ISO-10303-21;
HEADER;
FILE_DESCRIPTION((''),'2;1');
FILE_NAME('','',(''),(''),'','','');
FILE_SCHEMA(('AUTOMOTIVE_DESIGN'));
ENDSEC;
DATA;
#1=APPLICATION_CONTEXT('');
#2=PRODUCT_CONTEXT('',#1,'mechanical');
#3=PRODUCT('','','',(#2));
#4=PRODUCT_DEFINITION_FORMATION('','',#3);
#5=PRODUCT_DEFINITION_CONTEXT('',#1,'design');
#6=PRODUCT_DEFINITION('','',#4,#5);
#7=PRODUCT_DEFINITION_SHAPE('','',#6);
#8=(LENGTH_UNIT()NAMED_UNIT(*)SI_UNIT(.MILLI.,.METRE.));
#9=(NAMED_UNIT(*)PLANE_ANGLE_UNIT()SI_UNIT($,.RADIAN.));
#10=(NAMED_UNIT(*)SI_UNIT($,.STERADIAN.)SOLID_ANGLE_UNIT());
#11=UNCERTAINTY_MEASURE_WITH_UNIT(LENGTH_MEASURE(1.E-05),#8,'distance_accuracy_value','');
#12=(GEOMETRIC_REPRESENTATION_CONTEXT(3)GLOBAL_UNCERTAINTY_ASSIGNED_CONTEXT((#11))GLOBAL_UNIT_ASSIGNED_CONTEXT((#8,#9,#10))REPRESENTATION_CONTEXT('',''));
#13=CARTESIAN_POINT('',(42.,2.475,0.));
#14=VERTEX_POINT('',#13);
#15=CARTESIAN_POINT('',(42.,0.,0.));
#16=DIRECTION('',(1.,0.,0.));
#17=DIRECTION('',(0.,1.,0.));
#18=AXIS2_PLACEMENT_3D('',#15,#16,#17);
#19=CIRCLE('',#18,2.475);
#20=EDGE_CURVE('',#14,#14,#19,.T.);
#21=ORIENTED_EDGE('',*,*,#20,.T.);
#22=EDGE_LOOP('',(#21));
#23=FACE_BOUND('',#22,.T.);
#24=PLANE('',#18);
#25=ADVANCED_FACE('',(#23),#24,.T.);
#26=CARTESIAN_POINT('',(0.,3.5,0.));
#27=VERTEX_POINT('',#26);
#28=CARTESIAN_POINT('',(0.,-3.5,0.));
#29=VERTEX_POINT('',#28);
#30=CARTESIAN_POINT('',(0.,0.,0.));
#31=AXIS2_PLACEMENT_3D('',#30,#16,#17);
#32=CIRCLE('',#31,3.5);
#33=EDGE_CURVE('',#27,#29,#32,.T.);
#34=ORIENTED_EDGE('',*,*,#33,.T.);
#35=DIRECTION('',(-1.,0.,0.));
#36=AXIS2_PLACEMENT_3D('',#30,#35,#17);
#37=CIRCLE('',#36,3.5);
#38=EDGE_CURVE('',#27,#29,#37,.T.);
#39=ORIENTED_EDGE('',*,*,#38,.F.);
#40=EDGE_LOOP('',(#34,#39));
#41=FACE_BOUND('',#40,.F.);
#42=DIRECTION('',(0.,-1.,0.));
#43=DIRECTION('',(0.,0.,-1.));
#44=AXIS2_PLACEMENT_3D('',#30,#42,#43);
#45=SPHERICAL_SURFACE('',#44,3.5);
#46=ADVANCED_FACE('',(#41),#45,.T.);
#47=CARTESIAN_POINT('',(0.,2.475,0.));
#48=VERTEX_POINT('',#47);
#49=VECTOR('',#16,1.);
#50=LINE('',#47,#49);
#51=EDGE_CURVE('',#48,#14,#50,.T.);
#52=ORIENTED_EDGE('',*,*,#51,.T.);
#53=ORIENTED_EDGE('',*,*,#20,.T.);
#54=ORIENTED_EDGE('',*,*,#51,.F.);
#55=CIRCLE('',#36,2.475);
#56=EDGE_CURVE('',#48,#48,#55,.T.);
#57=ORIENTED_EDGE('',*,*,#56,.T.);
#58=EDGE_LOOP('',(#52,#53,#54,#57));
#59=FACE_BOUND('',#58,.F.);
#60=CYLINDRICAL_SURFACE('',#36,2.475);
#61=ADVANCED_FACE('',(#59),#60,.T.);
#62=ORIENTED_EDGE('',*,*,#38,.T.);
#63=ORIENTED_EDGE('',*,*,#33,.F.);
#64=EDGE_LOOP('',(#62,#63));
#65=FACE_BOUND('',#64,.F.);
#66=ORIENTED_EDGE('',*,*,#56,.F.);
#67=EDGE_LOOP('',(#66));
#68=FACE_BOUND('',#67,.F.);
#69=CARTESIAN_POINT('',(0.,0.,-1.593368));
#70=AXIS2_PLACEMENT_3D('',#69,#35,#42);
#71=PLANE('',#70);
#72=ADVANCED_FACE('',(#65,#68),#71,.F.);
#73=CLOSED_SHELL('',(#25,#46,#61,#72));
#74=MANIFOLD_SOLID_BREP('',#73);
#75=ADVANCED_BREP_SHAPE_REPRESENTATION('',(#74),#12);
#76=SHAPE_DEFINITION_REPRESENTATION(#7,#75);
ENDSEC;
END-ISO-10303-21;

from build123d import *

# Parameters (mm, degrees)
F0_R     = 2.475
F1_DEPTH = 42
F3_ANGLE = 180


with BuildPart() as f1:
    # F0 (on Right) → F1 (new body)
    with BuildSketch(Plane.YZ):
        Circle(F0_R)
    extrude(amount=F1_DEPTH)

    # F2 (on face) → F3 (revolve)
    with BuildSketch(Plane(origin=(0, 0, 0), x_dir=(0, -1, 0), z_dir=(-1, 0, 0))):
        with BuildLine():
            ThreePointArc((-3.5, 0), (0, -3.5), (3.5, 0))
            Line((3.5, 0), (2.475, 0))
            ThreePointArc((2.475, 0), (0, -2.475), (-2.475, 0))
            Line((-2.475, 0), (-3.5, 0))
        make_face()
        with BuildLine():
            ThreePointArc((-2.475, 0), (0, -2.475), (2.475, 0))
            Line((2.475, 0), (-2.475, 0))
        make_face()
    revolve(axis=Axis((0, 0, 0), (0, 1, 0)), revolution_arc=F3_ANGLE)


solid = f1.part
